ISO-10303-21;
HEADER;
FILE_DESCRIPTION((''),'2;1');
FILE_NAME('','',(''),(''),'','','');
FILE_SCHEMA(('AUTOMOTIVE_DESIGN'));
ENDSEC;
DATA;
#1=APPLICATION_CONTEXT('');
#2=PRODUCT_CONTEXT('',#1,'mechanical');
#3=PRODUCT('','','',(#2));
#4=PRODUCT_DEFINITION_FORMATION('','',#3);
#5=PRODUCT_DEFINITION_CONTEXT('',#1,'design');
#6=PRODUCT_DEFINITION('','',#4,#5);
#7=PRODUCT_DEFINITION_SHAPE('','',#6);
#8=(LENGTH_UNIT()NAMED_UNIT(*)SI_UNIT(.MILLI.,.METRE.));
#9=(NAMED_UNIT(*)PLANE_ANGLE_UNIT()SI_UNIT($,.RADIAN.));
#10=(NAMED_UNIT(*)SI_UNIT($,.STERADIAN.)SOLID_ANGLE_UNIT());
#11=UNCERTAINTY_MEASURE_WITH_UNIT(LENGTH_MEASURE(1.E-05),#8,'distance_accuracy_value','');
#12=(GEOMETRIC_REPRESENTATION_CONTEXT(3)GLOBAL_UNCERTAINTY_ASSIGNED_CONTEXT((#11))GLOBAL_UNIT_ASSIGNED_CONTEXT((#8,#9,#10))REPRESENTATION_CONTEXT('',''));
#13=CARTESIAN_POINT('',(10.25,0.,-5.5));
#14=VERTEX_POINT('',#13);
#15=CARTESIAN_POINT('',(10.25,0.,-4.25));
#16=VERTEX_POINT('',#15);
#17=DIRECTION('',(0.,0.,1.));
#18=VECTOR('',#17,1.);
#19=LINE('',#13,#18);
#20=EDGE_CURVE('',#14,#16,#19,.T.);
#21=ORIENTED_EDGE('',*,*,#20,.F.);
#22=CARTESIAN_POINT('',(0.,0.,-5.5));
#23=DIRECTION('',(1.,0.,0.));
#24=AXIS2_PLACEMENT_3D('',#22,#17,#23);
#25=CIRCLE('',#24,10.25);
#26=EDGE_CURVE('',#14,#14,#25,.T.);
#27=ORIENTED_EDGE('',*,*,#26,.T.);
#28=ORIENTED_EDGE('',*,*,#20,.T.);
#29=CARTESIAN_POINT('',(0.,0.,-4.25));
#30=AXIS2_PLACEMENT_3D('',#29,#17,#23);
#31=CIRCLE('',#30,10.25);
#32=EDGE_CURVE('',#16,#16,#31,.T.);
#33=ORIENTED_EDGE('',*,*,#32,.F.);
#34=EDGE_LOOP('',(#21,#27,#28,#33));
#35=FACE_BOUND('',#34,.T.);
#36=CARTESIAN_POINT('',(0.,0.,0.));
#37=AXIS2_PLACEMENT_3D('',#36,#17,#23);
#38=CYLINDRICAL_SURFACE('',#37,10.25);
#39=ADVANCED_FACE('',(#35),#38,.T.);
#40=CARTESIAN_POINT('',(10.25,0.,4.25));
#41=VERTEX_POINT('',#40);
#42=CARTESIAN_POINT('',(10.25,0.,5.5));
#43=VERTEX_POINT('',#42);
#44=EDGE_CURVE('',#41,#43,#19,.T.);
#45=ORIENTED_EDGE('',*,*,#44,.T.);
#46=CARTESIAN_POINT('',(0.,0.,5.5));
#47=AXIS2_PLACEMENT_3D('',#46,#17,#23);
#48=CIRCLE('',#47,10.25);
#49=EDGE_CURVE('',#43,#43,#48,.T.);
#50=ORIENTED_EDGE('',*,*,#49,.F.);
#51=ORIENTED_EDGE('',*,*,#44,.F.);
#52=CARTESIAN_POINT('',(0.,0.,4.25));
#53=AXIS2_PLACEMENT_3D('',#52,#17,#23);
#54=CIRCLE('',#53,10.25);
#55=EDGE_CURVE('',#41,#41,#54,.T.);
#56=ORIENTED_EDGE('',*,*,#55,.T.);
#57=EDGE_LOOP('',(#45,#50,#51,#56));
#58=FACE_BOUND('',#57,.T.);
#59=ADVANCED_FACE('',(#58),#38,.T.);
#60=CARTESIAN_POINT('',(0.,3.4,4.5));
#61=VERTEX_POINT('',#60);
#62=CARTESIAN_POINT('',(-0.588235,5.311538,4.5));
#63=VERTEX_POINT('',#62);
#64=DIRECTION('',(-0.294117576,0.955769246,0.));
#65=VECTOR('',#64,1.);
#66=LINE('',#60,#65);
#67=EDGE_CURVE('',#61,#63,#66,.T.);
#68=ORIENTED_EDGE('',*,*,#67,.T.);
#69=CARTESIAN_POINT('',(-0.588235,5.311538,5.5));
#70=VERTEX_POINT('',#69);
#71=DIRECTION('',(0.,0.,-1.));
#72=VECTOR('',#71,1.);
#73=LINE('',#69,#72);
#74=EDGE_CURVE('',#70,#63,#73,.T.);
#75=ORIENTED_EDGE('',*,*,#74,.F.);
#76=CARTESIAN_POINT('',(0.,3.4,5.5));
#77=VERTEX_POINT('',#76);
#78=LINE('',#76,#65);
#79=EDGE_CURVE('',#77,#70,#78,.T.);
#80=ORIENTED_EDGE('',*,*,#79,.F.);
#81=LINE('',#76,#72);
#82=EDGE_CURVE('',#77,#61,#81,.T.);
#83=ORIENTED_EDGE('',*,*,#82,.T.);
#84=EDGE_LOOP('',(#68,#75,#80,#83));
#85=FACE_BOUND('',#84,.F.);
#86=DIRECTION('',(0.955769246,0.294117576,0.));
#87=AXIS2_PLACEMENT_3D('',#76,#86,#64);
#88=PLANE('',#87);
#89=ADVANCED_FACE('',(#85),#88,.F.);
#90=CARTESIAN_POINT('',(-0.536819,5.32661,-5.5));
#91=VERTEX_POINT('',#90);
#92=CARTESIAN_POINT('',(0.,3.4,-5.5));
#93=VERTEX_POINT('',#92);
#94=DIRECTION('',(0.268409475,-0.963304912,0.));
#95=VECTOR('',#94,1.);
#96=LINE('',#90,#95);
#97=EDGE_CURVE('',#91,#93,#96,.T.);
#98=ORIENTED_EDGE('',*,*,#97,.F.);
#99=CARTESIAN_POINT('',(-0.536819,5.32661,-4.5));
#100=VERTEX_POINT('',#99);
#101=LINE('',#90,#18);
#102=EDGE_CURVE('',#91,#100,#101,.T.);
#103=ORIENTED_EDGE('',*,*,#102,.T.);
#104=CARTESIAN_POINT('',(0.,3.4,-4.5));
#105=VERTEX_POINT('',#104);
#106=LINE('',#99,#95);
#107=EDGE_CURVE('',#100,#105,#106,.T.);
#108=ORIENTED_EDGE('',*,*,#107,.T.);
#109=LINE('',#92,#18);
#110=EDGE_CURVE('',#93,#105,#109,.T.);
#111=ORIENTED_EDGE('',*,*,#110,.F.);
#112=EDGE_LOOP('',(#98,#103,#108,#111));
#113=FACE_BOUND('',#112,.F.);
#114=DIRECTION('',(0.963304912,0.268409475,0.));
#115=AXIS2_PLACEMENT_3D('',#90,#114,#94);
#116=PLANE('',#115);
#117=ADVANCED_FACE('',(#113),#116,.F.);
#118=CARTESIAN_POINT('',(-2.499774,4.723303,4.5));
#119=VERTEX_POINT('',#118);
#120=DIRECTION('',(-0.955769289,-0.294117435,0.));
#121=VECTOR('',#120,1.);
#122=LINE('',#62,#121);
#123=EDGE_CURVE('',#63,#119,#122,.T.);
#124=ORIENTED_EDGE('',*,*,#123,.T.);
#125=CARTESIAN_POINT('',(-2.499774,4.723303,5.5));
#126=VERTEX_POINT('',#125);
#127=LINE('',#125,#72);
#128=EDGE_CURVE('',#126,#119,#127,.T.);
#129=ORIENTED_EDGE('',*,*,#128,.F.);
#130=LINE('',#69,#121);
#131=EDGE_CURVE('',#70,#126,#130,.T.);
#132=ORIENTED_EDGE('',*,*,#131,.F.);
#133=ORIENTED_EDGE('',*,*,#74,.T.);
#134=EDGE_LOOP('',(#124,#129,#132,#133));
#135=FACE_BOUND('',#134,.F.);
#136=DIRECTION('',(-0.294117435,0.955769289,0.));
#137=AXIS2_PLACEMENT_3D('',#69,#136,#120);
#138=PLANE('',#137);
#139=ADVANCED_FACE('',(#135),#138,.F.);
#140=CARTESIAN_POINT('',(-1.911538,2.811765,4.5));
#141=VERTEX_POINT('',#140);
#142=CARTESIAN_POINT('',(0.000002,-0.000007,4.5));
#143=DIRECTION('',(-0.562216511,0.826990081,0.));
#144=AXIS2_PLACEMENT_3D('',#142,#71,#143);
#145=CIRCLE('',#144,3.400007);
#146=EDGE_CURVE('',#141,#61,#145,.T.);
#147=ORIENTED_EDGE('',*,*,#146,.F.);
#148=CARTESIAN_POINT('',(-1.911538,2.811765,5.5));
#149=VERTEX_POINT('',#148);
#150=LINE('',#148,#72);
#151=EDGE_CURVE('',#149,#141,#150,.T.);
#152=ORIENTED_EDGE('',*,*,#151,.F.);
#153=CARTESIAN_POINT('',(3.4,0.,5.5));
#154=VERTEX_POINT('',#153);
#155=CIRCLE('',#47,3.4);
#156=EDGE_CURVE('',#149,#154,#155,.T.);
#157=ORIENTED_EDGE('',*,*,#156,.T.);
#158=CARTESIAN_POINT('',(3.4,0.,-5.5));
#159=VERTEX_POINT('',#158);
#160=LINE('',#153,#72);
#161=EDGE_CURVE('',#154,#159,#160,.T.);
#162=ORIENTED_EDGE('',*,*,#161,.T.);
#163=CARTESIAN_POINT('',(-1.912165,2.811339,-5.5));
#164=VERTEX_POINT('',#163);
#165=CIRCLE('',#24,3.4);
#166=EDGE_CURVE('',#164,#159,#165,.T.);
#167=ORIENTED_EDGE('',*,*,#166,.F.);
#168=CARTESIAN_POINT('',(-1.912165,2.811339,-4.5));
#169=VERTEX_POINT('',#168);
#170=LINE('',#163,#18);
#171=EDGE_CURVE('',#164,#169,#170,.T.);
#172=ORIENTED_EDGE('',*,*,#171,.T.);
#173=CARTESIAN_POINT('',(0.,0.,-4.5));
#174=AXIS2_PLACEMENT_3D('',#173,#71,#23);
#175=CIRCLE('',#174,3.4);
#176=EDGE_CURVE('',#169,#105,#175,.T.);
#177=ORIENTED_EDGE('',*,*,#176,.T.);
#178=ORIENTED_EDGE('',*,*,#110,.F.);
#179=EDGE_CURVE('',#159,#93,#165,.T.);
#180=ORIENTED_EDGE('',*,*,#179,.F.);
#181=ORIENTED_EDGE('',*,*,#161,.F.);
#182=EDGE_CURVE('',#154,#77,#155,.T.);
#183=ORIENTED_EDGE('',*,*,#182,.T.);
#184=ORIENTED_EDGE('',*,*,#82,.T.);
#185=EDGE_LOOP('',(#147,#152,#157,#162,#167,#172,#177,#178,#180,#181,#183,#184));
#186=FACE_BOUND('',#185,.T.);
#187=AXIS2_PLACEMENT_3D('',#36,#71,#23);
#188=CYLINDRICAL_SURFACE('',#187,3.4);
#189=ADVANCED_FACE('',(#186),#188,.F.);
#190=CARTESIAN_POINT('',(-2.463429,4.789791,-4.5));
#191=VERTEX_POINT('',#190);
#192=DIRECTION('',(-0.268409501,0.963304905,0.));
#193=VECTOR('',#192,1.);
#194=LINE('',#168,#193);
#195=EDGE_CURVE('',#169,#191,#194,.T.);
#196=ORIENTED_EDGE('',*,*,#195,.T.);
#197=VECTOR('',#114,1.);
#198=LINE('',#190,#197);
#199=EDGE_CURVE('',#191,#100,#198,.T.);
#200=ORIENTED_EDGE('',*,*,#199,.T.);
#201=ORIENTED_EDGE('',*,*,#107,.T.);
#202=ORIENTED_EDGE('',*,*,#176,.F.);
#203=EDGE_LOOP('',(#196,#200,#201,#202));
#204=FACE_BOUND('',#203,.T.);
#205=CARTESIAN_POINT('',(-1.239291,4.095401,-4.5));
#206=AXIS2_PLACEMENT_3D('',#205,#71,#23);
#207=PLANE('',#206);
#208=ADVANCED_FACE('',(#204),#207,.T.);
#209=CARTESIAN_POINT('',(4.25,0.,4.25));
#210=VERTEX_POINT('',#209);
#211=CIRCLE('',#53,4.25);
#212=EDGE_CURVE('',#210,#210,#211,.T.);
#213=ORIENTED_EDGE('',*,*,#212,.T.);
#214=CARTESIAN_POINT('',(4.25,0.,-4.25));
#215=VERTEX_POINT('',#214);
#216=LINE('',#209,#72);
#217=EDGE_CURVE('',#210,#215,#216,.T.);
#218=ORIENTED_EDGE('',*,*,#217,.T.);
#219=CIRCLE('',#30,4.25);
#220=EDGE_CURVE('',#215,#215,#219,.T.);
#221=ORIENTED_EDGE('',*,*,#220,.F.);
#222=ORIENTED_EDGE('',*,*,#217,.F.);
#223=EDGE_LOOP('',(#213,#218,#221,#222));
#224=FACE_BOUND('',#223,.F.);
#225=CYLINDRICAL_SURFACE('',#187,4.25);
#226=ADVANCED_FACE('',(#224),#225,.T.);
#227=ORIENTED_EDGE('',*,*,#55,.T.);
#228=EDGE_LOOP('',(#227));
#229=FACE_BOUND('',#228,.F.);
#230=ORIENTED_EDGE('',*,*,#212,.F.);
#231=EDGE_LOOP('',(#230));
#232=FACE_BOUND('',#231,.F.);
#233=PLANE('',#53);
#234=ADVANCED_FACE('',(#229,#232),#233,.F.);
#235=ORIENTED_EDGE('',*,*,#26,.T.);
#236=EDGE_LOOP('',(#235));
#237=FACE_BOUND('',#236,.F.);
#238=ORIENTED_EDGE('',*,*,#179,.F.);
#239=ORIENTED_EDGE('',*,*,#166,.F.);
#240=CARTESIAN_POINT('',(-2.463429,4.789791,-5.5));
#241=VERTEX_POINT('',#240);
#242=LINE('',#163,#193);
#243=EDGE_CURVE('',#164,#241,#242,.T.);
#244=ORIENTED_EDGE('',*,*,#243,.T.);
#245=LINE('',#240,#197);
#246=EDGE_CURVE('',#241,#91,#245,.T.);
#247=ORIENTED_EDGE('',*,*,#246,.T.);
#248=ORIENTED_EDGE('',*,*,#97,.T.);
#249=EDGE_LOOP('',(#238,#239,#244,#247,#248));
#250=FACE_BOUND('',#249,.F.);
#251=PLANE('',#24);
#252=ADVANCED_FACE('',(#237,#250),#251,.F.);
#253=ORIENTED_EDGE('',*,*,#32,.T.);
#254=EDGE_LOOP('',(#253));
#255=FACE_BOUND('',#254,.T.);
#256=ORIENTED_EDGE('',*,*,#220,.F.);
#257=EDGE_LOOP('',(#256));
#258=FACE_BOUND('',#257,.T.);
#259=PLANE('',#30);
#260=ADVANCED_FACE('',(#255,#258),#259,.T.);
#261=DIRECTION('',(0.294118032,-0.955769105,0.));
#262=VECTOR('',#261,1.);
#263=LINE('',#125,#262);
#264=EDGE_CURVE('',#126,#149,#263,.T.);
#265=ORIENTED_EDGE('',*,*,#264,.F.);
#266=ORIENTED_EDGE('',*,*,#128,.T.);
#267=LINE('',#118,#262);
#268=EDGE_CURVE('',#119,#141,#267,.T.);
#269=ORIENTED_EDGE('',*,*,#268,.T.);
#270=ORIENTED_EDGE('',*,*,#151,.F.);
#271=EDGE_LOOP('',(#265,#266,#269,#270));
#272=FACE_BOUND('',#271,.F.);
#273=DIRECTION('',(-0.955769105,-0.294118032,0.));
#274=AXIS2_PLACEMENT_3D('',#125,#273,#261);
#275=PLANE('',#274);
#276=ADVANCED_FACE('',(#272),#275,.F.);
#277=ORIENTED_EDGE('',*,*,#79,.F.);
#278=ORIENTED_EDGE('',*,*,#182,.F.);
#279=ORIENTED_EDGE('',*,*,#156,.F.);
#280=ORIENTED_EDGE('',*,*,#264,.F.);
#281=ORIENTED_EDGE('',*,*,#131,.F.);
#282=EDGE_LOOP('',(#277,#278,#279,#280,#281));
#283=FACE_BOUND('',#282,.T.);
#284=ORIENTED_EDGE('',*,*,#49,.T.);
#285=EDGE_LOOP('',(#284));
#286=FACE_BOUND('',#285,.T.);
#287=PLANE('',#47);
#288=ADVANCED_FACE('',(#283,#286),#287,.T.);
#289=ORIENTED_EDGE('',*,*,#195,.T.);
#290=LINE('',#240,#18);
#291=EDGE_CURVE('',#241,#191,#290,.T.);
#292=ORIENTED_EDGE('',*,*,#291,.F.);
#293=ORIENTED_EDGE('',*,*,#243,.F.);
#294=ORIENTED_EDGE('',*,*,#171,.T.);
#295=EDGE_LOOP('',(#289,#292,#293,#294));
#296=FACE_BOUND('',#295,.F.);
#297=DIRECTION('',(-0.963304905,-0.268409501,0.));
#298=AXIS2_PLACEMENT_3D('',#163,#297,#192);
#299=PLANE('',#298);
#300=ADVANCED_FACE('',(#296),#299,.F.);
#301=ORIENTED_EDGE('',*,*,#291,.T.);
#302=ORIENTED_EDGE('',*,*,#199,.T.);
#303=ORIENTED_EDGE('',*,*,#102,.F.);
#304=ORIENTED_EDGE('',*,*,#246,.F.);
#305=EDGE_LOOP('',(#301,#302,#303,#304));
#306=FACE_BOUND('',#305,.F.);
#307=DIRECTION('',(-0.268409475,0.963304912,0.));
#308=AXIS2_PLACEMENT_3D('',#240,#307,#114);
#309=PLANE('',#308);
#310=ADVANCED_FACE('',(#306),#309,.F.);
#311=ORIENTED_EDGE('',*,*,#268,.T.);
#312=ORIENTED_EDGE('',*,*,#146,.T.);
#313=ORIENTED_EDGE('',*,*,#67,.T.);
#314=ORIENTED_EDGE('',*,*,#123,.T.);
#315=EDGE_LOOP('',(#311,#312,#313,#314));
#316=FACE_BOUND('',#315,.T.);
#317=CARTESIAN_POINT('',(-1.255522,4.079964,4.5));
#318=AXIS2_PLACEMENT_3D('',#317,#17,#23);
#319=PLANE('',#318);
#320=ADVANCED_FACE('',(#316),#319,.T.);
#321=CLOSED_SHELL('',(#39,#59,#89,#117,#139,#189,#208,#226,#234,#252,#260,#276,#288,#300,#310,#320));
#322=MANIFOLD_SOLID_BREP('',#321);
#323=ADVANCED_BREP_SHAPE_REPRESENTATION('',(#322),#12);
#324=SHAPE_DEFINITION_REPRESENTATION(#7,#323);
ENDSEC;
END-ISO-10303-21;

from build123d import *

# Parameters (mm, degrees)
F0_R     = 10.25
F0_R_2   = 4.9
F0_R_3   = 3.4
F1_DEPTH = 5.5
F2_R     = 10.25
F2_R_2   = 4.25
F3_DEPTH = 4.25
F5_DEPTH = 1
F7_DEPTH = 1


with BuildPart() as f1:
    # F0 (on Top) → F1 (new body, symmetric)
    with BuildSketch(Plane.XY):
        Circle(F0_R)
        Circle(F0_R_2, mode=Mode.SUBTRACT)
        Circle(F0_R_2)
        Circle(F0_R_3, mode=Mode.SUBTRACT)
    extrude(amount=F1_DEPTH, both=True)

    # F2 (on Top) → F3 (cut, symmetric)
    with BuildSketch(Plane.XY):
        Circle(F2_R)
        Circle(F2_R_2, mode=Mode.SUBTRACT)
    extrude(amount=F3_DEPTH, both=True, mode=Mode.SUBTRACT)

    # F4 (on face) → F5 (cut)
    with BuildSketch(Plane.XY.offset(5.5)):
        with BuildLine():
            ThreePointArc((-1.911538, 2.811765), (-1, 3.249615), (0, 3.4))
            Line((0, 3.4), (-0.588235, 5.311538))
            Line((-0.588235, 5.311538), (-2.499774, 4.723303))
            Line((-2.499774, 4.723303), (-1.911538, 2.811765))
        make_face()
    extrude(amount=-F5_DEPTH, mode=Mode.SUBTRACT)

    # F6 (on face) → F7 (cut)
    with BuildSketch(Plane(origin=(0, 0, -5.5), x_dir=(1, 0, 0), z_dir=(0, 0, -1))):
        with BuildLine():
            ThreePointArc((0, -3.4), (-0.992761, -3.224814), (-1.912165, -2.811339))
            Line((-1.912165, -2.811339), (-2.463429, -4.789791))
            Line((-2.463429, -4.789791), (-0.536819, -5.32661))
            Line((-0.536819, -5.32661), (0, -3.4))
        make_face()
    extrude(amount=-F7_DEPTH, mode=Mode.SUBTRACT)


solid = f1.part
